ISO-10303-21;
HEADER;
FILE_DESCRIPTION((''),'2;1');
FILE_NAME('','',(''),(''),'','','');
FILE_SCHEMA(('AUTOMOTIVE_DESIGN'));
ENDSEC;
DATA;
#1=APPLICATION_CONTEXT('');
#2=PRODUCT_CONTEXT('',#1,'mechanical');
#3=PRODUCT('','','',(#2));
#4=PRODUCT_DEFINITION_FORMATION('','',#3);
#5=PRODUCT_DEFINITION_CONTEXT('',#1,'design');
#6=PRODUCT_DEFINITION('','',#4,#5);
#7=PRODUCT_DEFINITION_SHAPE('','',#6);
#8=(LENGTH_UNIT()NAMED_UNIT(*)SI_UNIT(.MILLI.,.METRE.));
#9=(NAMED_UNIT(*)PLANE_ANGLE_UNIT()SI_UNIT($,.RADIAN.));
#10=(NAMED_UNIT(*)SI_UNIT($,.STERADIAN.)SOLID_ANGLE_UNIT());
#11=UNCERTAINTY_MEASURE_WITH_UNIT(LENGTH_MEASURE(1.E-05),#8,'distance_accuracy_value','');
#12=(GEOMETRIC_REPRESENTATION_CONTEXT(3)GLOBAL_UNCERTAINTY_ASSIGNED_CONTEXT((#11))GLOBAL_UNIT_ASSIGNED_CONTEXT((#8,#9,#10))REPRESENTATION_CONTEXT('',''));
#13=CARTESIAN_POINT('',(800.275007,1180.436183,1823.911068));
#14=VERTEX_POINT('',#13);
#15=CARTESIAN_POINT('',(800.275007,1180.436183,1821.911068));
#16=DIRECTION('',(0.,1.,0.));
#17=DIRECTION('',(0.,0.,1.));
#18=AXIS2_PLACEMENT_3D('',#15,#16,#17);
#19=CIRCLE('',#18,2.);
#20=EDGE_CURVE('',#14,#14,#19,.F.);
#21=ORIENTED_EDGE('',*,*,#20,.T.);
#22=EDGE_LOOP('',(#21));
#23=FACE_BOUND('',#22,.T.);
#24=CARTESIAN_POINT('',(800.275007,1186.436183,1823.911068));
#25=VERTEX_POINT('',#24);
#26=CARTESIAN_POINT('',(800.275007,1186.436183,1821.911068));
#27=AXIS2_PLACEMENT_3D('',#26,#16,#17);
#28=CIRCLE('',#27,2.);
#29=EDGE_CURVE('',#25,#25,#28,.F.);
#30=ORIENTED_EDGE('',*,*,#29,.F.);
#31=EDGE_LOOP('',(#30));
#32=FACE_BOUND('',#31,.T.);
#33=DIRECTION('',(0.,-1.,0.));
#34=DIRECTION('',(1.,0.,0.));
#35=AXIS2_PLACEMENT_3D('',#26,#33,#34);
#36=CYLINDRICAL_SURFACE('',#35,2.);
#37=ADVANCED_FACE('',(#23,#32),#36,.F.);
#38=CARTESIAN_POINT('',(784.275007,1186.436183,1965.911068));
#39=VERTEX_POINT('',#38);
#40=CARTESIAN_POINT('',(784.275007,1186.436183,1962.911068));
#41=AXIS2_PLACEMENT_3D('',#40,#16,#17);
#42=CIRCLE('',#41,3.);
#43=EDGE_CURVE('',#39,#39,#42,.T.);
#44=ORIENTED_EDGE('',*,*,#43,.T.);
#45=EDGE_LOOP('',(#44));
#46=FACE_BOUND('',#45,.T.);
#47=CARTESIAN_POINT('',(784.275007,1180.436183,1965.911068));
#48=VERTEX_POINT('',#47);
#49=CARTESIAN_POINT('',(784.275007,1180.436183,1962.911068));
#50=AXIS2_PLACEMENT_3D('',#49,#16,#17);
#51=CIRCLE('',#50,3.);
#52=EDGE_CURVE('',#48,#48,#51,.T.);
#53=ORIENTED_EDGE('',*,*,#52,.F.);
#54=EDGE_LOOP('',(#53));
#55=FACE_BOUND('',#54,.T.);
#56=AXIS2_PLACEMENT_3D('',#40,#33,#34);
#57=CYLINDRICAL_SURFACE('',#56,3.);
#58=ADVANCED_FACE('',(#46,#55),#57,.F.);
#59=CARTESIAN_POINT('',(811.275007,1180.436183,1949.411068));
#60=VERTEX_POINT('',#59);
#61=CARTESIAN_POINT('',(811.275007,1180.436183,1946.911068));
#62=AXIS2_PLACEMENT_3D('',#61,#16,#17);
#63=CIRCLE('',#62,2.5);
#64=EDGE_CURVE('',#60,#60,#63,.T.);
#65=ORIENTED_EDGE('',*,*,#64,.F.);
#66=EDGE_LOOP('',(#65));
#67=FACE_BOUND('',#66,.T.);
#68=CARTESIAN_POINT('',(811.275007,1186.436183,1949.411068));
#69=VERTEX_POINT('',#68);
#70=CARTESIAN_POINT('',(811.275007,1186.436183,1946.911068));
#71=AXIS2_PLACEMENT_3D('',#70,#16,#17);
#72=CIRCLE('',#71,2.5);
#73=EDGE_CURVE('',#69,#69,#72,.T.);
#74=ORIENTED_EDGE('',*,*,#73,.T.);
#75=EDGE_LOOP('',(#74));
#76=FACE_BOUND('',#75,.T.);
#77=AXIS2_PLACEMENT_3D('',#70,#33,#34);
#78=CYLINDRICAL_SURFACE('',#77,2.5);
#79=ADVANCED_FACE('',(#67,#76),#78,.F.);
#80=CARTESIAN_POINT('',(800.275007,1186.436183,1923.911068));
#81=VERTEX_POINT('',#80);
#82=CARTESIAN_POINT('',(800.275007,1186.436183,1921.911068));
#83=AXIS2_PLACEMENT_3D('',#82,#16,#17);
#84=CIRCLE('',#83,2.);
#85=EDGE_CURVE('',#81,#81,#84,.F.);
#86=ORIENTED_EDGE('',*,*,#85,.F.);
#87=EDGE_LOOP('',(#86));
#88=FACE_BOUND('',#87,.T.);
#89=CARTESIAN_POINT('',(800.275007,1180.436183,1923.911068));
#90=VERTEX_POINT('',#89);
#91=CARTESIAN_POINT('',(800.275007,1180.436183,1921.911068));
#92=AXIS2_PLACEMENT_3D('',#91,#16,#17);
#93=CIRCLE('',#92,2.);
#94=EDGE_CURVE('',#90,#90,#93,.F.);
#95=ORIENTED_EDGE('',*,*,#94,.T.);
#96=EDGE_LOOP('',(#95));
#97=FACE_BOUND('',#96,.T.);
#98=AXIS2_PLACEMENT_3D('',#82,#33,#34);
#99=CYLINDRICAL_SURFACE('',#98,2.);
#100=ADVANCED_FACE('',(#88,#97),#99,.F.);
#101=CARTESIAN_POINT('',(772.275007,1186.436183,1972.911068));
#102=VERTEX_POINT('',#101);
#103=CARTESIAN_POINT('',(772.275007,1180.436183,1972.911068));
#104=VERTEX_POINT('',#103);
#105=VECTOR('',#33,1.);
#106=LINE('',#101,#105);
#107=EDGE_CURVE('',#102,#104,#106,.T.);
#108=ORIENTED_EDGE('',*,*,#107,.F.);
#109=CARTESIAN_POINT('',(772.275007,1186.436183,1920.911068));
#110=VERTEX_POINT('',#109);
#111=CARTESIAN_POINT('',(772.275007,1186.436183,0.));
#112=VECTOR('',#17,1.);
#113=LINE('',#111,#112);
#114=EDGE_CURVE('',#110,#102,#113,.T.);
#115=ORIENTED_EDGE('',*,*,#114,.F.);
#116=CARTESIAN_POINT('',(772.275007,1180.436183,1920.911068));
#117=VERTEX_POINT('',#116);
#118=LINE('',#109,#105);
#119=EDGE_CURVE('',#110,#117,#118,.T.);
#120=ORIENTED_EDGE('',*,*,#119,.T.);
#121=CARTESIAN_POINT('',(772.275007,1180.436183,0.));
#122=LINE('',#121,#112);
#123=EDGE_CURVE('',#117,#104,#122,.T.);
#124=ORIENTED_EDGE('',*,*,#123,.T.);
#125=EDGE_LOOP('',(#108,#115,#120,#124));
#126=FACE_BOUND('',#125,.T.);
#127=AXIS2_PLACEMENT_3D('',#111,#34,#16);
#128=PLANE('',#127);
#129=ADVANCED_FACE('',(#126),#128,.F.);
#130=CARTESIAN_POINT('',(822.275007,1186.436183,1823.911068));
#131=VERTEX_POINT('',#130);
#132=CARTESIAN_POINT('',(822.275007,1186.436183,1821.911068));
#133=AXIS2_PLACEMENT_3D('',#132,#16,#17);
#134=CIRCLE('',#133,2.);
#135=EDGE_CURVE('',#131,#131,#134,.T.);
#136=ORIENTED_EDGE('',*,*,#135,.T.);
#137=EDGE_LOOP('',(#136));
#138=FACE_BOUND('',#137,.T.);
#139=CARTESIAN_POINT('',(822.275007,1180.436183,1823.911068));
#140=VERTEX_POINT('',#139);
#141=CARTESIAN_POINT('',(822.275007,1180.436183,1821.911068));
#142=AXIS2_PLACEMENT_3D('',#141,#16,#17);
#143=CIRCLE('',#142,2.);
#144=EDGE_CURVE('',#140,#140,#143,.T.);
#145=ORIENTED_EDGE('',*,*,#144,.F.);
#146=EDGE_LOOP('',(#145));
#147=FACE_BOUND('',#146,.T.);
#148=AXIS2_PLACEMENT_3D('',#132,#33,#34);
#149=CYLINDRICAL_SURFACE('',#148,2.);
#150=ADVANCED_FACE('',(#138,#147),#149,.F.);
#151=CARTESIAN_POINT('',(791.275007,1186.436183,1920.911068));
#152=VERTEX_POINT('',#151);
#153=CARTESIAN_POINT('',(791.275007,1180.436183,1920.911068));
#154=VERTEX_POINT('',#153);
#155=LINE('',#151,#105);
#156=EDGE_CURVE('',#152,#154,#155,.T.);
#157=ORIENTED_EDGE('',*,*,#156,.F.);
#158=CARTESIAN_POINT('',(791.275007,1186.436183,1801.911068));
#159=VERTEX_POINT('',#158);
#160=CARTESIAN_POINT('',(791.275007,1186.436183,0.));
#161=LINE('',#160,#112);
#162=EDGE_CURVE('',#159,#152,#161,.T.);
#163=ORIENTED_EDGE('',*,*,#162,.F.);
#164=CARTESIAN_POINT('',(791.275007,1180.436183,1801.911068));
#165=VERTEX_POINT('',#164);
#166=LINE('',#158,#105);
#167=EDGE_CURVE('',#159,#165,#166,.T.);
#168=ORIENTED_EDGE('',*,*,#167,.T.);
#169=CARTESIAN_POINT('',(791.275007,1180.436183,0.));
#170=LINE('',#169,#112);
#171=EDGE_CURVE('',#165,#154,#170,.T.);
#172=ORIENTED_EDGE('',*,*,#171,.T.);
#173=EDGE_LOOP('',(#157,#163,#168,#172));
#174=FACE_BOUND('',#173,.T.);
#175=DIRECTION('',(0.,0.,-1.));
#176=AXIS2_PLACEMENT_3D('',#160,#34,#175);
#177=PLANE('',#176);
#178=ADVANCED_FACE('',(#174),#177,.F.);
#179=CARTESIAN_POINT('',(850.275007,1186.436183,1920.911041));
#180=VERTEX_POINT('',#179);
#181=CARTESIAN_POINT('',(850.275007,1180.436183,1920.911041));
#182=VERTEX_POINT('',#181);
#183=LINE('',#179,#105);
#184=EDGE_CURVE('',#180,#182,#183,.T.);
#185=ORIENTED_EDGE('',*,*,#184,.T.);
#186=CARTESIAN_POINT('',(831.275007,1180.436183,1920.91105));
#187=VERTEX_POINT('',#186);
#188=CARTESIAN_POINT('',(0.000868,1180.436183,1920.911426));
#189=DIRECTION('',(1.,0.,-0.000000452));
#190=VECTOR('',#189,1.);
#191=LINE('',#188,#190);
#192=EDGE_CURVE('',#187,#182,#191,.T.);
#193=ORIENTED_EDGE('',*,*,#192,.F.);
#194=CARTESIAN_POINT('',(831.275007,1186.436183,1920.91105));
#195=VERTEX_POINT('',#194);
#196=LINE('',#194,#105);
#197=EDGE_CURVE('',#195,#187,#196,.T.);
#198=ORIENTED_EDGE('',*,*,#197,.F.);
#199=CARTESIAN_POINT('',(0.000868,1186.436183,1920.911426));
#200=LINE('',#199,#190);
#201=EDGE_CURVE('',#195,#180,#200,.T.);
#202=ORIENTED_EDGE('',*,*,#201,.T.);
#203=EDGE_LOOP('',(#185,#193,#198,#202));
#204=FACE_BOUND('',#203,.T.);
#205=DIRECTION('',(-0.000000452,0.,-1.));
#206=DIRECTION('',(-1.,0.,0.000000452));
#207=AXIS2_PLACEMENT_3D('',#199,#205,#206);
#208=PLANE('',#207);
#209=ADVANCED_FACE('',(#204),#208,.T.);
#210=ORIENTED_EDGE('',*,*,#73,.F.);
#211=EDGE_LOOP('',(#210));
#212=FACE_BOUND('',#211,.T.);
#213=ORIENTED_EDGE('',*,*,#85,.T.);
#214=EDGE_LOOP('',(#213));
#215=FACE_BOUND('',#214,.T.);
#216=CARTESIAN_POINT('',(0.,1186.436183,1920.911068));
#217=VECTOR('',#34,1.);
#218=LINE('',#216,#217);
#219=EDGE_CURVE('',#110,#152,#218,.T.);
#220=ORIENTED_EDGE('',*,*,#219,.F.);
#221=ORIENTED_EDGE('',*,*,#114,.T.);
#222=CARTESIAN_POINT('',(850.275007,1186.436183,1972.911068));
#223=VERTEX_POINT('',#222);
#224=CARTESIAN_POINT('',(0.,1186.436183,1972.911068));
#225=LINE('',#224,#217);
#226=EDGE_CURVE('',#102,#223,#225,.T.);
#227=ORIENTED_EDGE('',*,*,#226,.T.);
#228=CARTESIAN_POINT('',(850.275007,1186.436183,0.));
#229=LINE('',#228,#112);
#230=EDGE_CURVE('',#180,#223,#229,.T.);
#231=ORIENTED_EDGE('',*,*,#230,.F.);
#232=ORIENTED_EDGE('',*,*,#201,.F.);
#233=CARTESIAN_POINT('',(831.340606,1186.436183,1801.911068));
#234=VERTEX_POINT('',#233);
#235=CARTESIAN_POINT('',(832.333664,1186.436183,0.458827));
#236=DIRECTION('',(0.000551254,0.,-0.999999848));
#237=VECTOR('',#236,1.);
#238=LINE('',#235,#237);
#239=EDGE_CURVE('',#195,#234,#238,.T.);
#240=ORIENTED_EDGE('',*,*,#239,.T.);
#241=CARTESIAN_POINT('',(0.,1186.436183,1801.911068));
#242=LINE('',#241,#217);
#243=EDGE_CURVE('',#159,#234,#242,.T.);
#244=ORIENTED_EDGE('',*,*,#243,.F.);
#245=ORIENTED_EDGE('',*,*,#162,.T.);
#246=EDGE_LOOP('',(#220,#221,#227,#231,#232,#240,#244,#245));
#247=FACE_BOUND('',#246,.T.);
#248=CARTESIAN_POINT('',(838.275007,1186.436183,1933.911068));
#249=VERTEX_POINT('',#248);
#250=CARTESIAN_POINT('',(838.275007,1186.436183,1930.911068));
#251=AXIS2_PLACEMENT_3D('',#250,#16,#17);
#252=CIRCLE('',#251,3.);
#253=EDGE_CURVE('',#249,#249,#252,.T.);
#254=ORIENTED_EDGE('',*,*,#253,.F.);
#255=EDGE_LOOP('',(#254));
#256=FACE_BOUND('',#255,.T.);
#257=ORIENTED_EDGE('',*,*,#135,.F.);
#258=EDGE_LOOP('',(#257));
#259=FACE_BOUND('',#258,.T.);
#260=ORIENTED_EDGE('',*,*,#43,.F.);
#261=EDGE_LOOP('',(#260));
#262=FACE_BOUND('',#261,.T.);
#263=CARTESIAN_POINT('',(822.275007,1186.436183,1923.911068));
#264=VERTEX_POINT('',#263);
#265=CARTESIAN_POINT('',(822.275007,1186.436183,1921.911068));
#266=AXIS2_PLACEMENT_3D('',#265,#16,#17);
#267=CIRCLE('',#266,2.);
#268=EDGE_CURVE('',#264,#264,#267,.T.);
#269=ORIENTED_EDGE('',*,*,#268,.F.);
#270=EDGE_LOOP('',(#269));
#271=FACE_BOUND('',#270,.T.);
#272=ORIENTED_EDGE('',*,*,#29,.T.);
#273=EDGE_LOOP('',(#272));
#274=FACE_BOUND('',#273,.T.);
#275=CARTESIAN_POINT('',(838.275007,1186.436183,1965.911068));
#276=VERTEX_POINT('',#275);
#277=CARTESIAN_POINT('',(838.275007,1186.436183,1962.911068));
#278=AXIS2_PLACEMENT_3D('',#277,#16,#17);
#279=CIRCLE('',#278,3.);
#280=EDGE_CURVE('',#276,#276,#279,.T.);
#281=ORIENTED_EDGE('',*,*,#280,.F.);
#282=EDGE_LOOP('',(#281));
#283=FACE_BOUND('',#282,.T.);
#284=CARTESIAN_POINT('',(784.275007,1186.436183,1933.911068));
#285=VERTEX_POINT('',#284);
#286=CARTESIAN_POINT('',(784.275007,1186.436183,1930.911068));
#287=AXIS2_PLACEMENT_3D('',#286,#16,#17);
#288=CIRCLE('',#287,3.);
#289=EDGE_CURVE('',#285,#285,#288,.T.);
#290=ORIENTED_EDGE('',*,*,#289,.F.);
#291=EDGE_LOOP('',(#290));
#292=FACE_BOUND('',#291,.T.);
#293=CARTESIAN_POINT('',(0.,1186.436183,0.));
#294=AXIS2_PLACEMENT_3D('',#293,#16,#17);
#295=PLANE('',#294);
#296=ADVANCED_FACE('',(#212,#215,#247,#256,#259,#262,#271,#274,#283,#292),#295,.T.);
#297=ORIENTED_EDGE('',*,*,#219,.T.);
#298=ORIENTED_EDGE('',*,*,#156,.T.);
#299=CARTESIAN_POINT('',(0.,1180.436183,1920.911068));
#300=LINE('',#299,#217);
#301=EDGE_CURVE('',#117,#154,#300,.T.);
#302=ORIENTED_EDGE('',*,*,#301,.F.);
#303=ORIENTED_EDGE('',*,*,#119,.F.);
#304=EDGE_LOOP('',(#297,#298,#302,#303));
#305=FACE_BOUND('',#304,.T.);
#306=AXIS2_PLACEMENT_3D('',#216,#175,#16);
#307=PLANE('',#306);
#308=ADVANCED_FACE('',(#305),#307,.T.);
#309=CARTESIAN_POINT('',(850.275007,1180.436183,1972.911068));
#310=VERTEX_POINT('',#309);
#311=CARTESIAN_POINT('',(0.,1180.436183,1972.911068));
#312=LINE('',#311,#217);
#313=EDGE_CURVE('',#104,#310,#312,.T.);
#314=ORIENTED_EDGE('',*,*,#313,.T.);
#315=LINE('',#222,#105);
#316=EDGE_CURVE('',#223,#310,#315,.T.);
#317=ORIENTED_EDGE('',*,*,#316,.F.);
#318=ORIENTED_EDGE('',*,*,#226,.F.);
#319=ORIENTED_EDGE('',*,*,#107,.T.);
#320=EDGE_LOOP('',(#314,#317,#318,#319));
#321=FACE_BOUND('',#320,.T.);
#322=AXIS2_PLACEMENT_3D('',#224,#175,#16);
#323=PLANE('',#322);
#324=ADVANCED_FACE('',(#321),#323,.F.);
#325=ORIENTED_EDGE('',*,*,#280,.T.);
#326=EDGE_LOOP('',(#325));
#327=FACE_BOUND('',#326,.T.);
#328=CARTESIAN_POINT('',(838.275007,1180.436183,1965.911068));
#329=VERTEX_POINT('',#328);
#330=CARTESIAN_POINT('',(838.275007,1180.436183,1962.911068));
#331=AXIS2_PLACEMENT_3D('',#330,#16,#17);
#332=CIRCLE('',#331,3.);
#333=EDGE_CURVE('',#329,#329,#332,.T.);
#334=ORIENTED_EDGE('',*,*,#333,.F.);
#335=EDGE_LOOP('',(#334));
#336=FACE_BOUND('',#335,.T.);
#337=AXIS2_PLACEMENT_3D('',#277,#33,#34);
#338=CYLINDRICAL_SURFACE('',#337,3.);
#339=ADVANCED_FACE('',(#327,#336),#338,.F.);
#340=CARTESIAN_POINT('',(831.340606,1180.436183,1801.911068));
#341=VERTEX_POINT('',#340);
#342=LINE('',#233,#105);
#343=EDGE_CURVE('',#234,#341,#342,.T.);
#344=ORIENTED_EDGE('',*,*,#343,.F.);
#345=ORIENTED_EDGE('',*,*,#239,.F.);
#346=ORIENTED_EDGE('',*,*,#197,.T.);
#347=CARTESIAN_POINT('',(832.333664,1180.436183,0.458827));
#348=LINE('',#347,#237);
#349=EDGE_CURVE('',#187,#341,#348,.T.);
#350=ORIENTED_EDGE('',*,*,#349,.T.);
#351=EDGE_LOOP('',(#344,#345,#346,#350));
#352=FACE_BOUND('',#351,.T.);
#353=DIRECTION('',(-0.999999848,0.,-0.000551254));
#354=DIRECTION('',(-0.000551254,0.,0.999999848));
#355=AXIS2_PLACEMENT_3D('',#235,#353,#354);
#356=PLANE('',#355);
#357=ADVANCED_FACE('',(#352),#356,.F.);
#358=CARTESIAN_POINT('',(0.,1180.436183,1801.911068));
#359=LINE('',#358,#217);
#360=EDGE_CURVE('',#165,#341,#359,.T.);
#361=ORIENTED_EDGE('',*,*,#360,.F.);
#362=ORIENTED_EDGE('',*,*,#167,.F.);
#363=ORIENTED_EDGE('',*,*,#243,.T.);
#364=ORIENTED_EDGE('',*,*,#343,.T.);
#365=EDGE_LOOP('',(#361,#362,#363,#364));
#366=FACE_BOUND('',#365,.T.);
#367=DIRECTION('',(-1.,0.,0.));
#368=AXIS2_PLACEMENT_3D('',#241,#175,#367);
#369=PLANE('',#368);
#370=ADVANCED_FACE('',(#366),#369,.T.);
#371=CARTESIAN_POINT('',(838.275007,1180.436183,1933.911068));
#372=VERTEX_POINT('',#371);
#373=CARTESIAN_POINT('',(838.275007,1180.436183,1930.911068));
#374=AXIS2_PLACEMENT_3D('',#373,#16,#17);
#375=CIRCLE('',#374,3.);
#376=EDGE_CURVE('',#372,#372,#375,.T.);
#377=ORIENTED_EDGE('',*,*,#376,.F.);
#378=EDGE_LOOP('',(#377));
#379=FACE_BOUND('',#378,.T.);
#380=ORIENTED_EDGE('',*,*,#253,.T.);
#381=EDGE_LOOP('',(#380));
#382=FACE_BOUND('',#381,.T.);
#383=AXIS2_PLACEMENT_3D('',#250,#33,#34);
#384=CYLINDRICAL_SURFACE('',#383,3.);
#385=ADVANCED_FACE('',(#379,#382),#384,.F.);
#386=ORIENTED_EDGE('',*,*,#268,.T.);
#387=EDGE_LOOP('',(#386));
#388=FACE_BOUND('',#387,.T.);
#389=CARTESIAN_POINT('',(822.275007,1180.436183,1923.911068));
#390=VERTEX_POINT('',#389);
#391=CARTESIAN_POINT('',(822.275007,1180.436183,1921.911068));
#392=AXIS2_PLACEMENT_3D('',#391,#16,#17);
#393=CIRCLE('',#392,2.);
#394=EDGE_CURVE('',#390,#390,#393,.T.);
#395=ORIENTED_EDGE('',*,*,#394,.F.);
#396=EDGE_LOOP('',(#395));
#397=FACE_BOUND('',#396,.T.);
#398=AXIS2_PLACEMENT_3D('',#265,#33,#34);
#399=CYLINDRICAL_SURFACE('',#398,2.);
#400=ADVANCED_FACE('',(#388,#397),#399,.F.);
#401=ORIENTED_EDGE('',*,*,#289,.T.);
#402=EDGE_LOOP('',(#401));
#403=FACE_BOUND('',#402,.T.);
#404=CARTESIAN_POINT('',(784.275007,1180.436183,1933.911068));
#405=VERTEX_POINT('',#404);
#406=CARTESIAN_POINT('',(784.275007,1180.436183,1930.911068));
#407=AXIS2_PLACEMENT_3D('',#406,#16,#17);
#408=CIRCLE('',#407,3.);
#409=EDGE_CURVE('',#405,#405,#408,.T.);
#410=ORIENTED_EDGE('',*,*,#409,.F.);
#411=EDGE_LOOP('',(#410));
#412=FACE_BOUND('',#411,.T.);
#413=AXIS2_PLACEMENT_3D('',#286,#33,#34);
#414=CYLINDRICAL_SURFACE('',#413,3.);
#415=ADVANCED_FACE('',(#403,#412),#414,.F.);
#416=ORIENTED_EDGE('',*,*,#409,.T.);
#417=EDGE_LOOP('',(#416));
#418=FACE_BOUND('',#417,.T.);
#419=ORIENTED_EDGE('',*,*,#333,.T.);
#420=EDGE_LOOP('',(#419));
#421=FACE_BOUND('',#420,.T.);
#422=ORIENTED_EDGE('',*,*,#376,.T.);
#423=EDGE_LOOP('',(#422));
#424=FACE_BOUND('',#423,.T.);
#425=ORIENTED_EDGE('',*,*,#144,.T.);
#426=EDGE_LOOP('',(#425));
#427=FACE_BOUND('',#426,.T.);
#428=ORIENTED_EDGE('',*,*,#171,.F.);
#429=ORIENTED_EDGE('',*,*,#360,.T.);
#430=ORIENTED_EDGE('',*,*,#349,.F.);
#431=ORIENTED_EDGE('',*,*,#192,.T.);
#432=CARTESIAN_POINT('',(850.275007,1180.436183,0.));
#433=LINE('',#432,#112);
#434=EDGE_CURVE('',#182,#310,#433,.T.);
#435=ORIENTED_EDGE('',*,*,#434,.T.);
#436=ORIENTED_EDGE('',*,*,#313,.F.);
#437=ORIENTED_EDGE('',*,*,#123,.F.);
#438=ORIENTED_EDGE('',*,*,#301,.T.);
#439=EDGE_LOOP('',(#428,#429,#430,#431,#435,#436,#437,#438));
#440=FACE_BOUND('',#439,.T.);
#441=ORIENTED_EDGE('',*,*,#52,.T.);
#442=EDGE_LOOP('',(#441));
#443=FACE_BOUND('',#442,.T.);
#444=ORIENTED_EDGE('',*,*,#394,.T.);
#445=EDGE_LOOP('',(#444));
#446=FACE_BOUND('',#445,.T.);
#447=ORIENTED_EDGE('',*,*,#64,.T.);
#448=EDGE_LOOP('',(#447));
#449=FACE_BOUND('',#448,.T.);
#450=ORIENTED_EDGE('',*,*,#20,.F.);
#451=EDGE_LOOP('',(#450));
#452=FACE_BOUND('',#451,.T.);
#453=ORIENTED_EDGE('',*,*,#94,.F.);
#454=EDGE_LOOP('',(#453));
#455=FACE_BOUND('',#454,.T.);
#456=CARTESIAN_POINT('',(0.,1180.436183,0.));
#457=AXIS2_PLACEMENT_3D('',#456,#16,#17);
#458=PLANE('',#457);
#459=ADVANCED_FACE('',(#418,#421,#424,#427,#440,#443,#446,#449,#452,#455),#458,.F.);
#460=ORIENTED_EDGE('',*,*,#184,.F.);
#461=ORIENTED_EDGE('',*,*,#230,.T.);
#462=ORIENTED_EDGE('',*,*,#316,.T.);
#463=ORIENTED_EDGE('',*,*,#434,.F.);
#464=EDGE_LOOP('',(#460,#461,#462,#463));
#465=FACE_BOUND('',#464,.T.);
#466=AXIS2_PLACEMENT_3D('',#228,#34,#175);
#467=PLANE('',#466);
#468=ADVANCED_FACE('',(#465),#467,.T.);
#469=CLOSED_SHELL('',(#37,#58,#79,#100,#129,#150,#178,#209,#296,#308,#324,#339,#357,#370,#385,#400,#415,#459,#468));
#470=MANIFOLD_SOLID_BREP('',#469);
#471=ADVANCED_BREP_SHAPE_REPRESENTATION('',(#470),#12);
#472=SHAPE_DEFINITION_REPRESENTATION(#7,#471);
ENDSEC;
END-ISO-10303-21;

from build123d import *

# Parameters (mm, degrees)
SKETCH2_R           = 2.5
SKETCH2_R_2         = 3
SKETCH2_R_3         = 2
BOSS_EXTRUDE1_DEPTH = 6


with BuildPart() as part:
    # Sketch2 → Boss-Extrude1 (new body)
    with BuildSketch(Plane(origin=(0, 1180.436182905, 0), x_dir=(1, 0, 0), z_dir=(0, 1, 0))):
        Polygon((791.275007127, -1801.911067916), (791.275007127, -1920.911067916), (772.275007127, -1920.911067916), (772.275007127, -1972.911067916), (850.275007127, -1972.911067916), (850.275007127, -1920.911041247), (831.275007127, -1920.911049835), (831.340606325, -1801.911067916), align=None)
        with Locations(Location((811.275007127, -1946.911067916, 0), (0, 0, 270))):
            Circle(SKETCH2_R, mode=Mode.SUBTRACT)
        with Locations(Location((784.275007127, -1930.911067916, 0), (0, 0, 270))):
            Circle(SKETCH2_R_2, mode=Mode.SUBTRACT)
        with Locations(Location((784.275007127, -1962.911067916, 0), (0, 0, 270))):
            Circle(SKETCH2_R_2, mode=Mode.SUBTRACT)
        with Locations(Location((838.275007127, -1930.911067916, 0), (0, 0, 270))):
            Circle(SKETCH2_R_2, mode=Mode.SUBTRACT)
        with Locations(Location((838.275007127, -1962.911067916, 0), (0, 0, 270))):
            Circle(SKETCH2_R_2, mode=Mode.SUBTRACT)
        with Locations(Location((800.275007127, -1921.911067916, 0), (0, 0, 270))):
            Circle(SKETCH2_R_3, mode=Mode.SUBTRACT)
        with Locations(Location((800.275007127, -1821.911067916, 0), (0, 0, 270))):
            Circle(SKETCH2_R_3, mode=Mode.SUBTRACT)
        with Locations(Location((822.275007127, -1921.911067916, 0), (0, 0, 270))):
            Circle(SKETCH2_R_3, mode=Mode.SUBTRACT)
        with Locations(Location((822.275007127, -1821.911067916, 0), (0, 0, 270))):
            Circle(SKETCH2_R_3, mode=Mode.SUBTRACT)
    extrude(amount=BOSS_EXTRUDE1_DEPTH)


solid = part.part
